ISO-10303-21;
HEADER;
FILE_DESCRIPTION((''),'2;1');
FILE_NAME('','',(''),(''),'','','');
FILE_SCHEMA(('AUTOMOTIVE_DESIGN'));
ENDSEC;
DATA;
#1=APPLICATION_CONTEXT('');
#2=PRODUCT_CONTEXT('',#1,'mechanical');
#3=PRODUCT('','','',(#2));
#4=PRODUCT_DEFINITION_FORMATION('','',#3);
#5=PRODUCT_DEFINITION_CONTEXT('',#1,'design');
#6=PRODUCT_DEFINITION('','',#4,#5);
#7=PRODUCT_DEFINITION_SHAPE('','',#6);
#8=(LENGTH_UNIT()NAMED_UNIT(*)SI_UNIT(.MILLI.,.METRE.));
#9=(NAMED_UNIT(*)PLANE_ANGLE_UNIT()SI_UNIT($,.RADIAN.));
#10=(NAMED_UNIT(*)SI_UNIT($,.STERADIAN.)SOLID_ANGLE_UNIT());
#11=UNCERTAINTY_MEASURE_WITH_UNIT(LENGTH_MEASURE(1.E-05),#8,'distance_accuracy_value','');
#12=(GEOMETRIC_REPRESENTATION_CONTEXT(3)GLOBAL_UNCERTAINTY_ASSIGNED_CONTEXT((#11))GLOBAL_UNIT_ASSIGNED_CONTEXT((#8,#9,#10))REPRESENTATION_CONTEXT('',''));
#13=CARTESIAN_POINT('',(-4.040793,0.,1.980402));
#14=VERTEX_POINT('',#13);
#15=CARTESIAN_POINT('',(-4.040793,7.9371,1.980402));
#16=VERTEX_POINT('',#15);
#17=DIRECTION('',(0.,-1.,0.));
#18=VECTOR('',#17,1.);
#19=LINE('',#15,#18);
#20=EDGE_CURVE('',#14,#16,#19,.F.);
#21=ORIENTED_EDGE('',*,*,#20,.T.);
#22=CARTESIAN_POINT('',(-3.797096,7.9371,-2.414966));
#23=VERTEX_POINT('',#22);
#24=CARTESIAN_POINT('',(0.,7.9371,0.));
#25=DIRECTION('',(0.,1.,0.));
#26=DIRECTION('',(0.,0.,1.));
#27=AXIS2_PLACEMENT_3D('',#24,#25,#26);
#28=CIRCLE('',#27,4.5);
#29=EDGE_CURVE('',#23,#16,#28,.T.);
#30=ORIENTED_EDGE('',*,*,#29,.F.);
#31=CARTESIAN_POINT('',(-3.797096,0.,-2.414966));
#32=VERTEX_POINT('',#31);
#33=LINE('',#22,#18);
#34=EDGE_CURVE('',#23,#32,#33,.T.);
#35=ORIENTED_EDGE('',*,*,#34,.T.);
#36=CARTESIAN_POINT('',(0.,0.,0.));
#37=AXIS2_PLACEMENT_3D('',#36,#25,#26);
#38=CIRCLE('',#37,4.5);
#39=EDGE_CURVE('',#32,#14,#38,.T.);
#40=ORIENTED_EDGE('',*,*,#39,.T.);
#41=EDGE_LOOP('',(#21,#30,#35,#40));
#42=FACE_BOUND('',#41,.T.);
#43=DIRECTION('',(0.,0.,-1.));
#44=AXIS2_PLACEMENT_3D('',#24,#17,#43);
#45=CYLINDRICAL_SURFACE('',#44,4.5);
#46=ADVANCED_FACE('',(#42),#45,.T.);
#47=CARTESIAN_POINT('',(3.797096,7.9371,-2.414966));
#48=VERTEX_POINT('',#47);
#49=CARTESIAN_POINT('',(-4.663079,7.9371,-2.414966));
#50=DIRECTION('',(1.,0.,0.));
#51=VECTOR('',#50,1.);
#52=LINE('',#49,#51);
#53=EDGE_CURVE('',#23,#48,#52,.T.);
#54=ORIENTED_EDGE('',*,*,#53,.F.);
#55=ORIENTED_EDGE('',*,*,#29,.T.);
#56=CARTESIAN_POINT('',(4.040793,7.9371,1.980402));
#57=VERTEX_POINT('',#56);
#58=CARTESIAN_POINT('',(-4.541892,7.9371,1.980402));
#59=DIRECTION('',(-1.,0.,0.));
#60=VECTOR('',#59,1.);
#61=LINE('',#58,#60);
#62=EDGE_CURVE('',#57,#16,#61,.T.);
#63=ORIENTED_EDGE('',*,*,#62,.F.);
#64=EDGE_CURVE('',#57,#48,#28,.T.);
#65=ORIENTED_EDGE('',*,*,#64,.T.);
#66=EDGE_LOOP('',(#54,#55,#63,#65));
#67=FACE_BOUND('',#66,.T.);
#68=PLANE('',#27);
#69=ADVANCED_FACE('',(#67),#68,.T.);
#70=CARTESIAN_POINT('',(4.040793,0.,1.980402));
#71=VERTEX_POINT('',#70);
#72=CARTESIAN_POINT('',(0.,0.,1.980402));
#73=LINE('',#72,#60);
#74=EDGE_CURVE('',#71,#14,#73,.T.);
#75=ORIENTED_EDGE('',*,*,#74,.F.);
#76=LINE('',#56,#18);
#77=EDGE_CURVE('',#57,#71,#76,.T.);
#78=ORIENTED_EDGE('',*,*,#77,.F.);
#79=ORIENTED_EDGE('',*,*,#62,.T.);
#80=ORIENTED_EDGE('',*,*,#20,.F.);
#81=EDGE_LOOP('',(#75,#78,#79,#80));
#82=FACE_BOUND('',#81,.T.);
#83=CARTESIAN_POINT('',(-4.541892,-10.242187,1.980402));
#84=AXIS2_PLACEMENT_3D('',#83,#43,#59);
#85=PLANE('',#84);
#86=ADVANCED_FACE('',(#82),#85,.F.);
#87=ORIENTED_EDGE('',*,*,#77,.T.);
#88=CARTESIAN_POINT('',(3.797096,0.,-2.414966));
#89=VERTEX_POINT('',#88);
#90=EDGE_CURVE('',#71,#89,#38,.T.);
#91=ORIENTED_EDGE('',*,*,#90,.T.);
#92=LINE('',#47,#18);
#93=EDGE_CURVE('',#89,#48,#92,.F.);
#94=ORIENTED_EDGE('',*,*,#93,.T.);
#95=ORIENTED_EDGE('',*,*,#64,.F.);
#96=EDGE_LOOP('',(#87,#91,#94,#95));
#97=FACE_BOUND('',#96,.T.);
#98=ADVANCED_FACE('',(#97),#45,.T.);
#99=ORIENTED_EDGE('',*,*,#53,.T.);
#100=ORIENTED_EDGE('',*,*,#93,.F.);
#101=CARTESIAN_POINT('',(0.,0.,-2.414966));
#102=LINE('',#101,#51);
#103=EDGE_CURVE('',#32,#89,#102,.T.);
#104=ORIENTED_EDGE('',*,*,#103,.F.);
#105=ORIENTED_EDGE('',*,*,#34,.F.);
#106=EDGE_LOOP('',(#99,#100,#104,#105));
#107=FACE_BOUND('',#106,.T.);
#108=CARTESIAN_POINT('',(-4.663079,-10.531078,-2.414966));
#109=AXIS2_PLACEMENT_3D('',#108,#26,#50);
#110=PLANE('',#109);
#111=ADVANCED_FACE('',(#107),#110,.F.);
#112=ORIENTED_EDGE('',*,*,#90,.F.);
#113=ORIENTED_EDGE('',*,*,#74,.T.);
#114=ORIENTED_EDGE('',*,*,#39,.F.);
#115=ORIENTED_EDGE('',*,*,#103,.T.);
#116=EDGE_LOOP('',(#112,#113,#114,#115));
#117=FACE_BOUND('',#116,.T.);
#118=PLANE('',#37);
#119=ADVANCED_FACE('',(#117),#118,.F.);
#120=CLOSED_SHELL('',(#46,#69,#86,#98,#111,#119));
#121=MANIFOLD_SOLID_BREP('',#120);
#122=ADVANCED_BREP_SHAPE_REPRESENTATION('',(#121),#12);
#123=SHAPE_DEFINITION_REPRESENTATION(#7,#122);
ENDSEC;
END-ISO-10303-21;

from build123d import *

# Parameters (mm, degrees)
SKETCH1_R           = 4.5
BOSS_EXTRUDE1_DEPTH = 7.9371
SKETCH2_W           = 9.255904856
SKETCH2_H           = 5.023128632
CUT_EXTRUDE1_DEPTH  = 7.9371
SKETCH3_W           = 9.61068527
SKETCH3_H           = 3.540778784
CUT_EXTRUDE2_DEPTH  = 7.9371


with BuildPart() as part:
    # Sketch1 → Boss-Extrude1 (new body)
    with BuildSketch(Plane(origin=(0, 0, 0), x_dir=(1, 0, 0), z_dir=(0, 1, 0))):
        Circle(SKETCH1_R)
    extrude(amount=BOSS_EXTRUDE1_DEPTH)

    # Sketch2 → Cut-Extrude1 (cut)
    with BuildSketch(Plane(origin=(0, 7.9371, 0), x_dir=(1, 0, 0), z_dir=(0, 1, 0))):
        with Locations((-0.035126774, 4.926530004)):
            Rectangle(SKETCH2_W, SKETCH2_H)
    extrude(amount=-CUT_EXTRUDE1_DEPTH, mode=Mode.SUBTRACT)

    # Sketch3 → Cut-Extrude2 (cut)
    with BuildSketch(Plane(origin=(0, 7.9371, 0), x_dir=(1, 0, 0), z_dir=(0, 1, 0))):
        with Locations((0.263450802, -3.750791404)):
            Rectangle(SKETCH3_W, SKETCH3_H)
    extrude(amount=-CUT_EXTRUDE2_DEPTH, mode=Mode.SUBTRACT)


solid = part.part
